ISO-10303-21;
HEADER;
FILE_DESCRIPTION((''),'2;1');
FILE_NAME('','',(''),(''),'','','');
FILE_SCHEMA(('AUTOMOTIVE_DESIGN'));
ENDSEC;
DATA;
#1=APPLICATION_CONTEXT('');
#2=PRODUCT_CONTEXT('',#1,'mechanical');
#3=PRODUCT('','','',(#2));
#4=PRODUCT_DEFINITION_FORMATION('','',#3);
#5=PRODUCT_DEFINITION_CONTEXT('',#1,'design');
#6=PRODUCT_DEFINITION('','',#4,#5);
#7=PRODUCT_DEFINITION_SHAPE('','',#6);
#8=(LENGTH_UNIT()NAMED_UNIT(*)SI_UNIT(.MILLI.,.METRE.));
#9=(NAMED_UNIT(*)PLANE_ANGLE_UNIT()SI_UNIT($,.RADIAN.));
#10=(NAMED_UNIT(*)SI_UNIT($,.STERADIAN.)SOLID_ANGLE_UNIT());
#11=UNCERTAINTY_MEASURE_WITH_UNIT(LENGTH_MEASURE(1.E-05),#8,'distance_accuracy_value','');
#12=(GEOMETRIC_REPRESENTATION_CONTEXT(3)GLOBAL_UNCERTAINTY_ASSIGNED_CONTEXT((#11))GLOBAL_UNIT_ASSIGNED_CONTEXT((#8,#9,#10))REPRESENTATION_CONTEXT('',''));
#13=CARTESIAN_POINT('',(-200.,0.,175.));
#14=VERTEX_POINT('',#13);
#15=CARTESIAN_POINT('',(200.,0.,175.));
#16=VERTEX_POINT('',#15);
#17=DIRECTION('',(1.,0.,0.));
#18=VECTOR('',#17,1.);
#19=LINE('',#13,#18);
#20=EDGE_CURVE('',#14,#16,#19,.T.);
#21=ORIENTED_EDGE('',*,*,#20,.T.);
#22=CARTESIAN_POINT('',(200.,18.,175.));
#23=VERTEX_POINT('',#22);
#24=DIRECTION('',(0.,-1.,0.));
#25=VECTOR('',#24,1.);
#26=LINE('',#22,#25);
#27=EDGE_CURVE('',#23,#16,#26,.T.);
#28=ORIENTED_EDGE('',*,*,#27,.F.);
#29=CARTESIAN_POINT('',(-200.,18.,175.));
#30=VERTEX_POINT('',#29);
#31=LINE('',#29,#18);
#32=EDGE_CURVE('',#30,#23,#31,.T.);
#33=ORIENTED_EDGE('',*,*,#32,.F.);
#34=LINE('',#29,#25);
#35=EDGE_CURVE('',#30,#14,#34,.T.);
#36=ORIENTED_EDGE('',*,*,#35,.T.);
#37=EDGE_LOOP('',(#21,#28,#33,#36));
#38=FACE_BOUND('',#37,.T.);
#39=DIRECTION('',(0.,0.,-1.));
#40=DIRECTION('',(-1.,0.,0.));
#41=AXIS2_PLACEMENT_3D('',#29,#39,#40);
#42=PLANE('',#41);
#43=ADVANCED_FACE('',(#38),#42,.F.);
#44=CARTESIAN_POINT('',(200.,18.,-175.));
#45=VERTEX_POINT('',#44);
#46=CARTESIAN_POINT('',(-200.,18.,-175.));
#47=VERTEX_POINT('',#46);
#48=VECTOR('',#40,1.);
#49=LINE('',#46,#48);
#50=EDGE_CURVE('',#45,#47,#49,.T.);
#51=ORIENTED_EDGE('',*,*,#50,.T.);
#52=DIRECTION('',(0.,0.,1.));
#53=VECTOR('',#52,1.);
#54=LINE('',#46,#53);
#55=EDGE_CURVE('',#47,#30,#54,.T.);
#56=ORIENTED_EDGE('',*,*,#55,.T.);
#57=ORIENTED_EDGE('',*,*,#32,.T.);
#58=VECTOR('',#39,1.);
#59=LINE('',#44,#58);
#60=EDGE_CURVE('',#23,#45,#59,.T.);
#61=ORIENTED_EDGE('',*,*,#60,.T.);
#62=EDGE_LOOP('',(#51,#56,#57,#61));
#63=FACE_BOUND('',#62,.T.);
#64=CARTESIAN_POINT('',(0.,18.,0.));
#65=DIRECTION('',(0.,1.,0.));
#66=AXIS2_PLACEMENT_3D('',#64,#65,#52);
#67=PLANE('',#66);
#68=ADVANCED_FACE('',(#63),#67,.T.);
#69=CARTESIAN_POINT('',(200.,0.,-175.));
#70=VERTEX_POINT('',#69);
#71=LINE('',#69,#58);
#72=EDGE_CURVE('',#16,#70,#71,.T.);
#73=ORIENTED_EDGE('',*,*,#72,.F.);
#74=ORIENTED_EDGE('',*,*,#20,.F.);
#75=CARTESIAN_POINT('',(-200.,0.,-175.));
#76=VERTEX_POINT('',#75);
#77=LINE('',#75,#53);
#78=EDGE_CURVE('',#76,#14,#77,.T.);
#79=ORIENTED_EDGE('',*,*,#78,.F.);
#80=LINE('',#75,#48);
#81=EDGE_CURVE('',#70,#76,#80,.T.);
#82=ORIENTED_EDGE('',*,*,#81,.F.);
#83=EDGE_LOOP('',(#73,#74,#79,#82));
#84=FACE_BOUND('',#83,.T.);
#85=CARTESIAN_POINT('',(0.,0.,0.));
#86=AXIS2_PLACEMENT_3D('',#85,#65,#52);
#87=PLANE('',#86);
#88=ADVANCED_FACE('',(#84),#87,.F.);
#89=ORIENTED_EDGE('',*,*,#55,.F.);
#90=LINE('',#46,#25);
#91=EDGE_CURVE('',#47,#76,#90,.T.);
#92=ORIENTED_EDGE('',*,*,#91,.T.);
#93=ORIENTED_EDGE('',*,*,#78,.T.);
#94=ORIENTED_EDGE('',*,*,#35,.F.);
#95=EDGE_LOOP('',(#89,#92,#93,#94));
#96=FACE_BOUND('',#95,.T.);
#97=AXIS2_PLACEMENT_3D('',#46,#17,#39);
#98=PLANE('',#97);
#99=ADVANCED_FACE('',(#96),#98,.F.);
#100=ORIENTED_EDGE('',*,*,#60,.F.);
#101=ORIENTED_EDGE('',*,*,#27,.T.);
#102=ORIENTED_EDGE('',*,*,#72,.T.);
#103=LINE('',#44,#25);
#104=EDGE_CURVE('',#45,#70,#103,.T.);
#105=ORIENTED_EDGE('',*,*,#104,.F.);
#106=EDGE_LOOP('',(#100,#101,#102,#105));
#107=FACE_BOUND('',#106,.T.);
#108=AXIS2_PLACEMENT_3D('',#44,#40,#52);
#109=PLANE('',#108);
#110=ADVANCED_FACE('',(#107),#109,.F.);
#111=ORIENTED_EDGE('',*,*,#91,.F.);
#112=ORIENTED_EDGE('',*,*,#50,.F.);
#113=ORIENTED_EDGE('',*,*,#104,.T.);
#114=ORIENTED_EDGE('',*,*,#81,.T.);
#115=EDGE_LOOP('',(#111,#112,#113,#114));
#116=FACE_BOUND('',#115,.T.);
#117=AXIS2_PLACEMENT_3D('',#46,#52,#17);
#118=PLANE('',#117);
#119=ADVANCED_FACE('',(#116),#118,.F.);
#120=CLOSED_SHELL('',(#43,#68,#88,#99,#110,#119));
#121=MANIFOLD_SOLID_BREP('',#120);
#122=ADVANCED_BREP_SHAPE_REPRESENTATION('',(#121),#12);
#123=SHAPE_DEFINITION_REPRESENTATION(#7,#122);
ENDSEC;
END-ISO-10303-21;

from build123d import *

# Parameters (mm, degrees)
ESQUISSE1_W        = 400
ESQUISSE1_H        = 350
BOSS_EXTRU_1_DEPTH = 18


with BuildPart() as part:
    # Esquisse1 → Boss.-Extru.1 (new body)
    with BuildSketch(Plane(origin=(0, 0, 0), x_dir=(1, 0, 0), z_dir=(0, 1, 0))):
        Rectangle(ESQUISSE1_W, ESQUISSE1_H)
    extrude(amount=BOSS_EXTRU_1_DEPTH)


solid = part.part
